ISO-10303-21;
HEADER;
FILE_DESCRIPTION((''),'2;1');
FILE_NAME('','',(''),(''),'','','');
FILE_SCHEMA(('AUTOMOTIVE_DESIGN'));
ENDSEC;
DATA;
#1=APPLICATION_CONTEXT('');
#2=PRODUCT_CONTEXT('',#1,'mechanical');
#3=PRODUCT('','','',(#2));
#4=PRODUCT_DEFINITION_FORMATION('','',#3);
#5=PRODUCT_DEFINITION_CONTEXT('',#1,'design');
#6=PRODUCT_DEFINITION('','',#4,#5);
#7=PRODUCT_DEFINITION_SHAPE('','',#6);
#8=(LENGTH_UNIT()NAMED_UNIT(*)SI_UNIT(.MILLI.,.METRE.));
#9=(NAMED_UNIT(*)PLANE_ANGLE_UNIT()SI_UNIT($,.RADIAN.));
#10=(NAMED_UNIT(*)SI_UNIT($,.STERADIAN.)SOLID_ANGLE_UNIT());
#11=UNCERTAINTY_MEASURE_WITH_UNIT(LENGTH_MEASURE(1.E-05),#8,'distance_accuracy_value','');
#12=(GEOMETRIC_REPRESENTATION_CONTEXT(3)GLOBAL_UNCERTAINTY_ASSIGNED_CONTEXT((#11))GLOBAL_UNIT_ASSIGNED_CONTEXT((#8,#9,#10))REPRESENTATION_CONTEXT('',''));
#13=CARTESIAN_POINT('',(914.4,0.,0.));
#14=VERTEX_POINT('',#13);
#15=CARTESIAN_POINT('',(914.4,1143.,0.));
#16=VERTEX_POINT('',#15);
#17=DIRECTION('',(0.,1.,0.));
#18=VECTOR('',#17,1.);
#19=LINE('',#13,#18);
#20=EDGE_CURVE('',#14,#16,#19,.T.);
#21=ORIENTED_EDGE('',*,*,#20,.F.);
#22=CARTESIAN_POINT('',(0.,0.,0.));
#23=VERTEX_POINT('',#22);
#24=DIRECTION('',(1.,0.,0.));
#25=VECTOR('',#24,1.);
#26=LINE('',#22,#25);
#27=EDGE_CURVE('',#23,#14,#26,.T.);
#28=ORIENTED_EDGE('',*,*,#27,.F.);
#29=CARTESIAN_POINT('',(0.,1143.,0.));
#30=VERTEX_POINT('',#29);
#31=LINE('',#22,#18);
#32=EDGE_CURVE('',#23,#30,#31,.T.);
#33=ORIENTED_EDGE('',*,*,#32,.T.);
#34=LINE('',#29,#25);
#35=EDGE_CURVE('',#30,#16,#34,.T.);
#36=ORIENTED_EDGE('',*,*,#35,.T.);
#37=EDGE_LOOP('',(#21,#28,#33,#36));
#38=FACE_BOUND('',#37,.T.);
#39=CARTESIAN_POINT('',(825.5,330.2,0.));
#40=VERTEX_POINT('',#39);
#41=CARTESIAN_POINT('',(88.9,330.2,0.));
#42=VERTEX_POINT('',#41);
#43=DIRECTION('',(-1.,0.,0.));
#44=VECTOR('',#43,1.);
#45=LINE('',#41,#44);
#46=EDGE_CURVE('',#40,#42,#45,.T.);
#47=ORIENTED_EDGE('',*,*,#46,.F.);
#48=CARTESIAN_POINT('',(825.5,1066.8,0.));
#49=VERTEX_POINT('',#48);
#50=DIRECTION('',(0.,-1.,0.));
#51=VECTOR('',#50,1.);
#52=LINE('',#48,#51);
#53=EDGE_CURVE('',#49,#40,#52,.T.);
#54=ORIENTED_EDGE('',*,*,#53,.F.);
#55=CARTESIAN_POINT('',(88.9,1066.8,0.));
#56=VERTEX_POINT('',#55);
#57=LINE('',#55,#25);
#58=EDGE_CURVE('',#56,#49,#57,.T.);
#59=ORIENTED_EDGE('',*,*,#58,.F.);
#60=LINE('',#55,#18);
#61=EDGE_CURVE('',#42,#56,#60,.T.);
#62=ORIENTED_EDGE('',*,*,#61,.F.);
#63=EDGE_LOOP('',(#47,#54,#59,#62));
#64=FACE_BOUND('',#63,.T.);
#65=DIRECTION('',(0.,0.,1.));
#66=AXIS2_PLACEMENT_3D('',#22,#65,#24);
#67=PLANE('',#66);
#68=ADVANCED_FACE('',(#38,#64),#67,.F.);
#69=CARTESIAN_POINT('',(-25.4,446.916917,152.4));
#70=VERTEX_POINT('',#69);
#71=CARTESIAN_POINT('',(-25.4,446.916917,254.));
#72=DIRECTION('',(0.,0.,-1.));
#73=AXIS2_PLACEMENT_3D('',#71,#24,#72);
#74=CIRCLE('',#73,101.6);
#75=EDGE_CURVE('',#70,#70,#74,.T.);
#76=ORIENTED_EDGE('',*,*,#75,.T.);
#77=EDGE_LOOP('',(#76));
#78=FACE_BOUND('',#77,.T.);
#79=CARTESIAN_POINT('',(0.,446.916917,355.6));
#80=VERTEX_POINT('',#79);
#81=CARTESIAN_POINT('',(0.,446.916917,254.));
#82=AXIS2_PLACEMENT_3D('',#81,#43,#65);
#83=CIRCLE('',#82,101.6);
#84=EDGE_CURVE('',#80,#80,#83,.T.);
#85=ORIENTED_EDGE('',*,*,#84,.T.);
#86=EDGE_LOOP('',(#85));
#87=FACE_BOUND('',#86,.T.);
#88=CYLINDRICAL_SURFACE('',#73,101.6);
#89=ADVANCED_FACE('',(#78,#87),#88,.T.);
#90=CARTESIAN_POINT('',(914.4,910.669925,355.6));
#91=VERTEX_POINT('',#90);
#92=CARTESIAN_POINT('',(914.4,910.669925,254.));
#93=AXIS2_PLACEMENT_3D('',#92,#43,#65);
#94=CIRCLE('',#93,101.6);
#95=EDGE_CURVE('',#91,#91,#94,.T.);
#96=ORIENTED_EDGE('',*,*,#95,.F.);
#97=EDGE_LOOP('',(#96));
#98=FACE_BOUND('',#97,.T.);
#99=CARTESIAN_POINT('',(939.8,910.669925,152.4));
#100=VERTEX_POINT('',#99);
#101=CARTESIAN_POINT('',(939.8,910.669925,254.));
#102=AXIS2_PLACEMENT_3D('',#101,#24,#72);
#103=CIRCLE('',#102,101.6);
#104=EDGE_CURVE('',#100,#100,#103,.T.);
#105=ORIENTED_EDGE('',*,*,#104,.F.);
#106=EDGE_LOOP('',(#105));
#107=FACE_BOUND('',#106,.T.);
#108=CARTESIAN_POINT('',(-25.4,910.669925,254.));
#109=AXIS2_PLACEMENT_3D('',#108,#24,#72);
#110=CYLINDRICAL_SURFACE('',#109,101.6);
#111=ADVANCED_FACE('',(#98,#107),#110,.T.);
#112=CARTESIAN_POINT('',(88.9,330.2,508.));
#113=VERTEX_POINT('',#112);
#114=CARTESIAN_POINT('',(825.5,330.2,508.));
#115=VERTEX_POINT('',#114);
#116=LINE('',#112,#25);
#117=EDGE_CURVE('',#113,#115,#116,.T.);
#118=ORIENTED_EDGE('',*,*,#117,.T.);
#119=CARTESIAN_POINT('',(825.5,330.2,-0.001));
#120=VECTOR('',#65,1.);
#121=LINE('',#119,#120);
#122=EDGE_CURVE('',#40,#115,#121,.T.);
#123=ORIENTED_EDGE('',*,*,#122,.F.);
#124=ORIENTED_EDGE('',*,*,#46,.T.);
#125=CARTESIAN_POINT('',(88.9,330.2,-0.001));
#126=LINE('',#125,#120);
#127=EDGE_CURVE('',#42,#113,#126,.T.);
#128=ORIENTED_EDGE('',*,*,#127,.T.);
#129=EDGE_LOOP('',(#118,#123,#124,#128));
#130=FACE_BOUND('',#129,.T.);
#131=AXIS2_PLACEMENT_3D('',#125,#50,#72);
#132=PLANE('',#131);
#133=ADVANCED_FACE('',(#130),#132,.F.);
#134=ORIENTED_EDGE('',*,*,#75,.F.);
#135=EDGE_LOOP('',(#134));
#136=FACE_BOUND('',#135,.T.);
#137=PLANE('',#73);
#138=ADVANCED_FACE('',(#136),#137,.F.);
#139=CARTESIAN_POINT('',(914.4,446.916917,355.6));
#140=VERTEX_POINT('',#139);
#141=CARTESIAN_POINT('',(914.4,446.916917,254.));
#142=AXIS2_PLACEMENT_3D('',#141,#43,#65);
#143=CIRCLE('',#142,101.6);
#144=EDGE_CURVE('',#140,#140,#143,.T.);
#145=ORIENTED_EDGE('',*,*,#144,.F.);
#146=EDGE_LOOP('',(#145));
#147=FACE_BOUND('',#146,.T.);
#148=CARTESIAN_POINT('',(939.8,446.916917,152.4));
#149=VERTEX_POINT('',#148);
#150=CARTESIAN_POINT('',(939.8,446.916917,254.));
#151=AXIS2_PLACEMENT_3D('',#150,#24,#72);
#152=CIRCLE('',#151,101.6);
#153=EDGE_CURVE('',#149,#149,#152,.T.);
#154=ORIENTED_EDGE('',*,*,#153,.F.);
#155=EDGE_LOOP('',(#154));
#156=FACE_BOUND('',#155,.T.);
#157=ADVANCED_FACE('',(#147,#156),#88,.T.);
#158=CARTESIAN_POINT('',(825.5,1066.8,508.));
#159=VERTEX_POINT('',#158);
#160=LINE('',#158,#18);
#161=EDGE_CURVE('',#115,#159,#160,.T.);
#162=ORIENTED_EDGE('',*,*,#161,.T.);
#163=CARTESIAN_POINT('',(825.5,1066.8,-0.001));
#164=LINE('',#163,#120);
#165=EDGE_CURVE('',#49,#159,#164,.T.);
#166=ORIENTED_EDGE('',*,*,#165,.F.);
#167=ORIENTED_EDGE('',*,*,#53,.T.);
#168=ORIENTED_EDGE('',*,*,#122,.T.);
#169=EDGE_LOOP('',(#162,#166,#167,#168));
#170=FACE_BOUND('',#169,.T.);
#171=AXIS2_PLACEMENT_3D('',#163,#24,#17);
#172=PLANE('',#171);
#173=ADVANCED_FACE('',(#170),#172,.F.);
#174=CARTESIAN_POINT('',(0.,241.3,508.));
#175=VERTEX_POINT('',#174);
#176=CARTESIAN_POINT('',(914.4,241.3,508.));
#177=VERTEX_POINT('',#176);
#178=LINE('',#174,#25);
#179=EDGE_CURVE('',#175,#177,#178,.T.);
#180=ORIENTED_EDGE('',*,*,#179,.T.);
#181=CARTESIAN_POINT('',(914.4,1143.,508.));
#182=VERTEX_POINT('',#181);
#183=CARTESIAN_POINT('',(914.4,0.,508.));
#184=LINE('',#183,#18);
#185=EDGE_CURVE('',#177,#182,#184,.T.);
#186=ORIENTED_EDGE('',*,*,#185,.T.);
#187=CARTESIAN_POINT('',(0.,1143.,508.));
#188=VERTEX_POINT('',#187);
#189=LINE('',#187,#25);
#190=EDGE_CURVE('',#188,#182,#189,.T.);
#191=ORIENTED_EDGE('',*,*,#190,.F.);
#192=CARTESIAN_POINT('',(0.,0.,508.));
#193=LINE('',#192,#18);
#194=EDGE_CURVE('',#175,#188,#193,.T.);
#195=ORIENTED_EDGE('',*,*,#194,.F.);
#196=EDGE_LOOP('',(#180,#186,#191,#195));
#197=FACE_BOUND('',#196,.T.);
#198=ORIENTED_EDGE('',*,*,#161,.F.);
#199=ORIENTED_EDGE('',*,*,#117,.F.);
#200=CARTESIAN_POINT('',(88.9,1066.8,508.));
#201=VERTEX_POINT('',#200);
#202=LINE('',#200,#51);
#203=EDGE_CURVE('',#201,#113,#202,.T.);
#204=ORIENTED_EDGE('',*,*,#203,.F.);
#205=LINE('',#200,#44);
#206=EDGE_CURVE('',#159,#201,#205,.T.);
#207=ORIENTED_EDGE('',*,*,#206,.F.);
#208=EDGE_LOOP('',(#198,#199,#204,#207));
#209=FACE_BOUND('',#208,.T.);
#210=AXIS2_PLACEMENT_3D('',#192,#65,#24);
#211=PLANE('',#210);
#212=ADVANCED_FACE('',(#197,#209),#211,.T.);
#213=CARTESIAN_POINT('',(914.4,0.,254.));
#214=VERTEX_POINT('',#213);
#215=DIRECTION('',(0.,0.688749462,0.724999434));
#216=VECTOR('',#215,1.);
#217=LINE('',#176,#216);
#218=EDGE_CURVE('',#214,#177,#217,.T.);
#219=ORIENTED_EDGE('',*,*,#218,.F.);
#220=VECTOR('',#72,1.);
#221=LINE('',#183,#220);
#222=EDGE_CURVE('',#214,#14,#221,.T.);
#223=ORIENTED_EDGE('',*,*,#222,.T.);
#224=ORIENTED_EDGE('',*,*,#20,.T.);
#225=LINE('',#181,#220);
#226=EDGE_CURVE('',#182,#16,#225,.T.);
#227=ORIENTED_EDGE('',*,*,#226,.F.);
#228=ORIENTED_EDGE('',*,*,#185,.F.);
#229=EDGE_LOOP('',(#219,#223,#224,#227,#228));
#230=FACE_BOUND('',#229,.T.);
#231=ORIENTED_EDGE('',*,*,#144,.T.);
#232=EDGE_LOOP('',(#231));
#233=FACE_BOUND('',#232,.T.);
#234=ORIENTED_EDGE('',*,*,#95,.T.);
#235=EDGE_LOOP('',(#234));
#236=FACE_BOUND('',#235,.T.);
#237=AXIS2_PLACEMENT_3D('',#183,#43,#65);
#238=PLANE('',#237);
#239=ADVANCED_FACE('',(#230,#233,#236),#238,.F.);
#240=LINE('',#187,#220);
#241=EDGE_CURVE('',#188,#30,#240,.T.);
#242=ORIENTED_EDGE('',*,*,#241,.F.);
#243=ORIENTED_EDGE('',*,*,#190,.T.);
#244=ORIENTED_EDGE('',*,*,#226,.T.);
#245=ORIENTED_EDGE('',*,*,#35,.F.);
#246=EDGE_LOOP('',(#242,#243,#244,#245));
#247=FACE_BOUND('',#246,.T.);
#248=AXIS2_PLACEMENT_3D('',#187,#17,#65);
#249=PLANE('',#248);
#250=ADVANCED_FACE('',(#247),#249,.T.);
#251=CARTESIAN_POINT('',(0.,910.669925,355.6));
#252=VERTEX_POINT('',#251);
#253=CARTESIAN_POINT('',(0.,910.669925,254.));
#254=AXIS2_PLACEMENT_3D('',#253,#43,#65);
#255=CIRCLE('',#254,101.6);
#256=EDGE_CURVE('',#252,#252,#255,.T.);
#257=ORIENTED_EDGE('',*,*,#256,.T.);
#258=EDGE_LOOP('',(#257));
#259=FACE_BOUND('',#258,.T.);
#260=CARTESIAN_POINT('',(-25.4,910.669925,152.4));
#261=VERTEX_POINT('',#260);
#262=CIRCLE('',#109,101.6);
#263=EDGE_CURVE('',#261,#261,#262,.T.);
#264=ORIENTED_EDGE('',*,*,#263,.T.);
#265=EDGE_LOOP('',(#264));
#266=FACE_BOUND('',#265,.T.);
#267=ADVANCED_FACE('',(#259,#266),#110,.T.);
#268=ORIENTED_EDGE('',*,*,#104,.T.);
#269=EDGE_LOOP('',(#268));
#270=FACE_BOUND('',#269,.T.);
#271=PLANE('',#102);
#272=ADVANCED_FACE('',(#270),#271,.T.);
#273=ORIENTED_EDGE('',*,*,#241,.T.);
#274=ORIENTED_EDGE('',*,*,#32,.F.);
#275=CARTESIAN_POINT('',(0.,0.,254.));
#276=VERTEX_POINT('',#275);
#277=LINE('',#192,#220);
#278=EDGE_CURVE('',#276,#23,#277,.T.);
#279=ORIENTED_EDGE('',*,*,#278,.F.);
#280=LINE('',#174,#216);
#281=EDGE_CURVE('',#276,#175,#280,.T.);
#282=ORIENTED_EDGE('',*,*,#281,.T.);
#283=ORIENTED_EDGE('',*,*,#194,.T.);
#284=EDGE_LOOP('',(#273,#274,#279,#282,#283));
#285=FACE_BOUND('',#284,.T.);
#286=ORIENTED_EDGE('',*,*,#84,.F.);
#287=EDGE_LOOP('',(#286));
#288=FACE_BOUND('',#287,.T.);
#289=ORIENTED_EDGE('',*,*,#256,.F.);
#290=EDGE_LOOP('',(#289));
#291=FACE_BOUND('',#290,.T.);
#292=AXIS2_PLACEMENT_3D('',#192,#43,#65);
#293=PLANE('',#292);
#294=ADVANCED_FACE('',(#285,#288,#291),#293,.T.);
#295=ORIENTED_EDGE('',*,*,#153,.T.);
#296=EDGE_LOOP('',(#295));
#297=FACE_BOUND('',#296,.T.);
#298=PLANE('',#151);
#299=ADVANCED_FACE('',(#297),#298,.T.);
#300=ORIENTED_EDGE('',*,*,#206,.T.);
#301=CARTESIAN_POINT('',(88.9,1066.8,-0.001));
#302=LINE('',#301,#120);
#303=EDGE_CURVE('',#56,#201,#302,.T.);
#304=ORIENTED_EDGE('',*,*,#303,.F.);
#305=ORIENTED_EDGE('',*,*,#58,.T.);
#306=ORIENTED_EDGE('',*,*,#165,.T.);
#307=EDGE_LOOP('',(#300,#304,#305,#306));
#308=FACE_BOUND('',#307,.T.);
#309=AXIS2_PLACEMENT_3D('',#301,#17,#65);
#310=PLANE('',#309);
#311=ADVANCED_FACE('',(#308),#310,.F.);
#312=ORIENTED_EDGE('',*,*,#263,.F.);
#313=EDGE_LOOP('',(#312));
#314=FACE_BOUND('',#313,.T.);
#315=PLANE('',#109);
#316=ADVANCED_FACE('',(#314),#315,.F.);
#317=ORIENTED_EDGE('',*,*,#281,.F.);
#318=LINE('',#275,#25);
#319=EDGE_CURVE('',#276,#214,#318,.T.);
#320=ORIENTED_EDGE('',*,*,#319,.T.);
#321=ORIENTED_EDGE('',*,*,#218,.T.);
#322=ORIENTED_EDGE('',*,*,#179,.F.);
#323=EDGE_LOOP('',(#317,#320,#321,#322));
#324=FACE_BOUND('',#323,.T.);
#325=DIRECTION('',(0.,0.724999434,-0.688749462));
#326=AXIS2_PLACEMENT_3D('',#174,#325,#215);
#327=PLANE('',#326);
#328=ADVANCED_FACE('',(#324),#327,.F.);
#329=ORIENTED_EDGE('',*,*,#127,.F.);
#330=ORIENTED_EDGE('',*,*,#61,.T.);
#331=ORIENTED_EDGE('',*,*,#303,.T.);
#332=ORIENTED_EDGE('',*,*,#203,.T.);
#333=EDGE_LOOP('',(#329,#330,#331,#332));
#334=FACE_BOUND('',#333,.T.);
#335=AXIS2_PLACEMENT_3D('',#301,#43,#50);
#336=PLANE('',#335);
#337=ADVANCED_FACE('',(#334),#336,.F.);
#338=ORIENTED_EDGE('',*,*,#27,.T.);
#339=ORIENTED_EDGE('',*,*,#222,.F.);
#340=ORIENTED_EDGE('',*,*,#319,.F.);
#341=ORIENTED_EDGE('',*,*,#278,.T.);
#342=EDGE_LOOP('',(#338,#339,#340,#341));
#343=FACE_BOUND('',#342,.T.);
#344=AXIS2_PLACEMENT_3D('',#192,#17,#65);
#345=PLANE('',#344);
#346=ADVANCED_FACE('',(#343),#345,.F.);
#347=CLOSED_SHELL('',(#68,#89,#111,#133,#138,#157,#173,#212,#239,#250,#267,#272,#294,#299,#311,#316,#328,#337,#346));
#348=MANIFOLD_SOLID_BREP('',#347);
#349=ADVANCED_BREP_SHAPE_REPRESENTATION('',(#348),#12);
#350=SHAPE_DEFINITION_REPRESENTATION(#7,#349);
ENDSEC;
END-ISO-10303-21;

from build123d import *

# Parameters (mm, degrees)
SKETCH2_W                = 914.4
SKETCH2_H                = 1143
BOSS_EXTRUDE1_DEPTH      = 508
CUT_EXTRUDE1_DEPTH       = 1550.4
BOSS_EXTRUDE2_DEPTH      = 25.4
BOSS_EXTRUDE2_DEPTH_BACK = 939.8
SKETCH4_R                = 101.6
CUT_EXTRUDE2_REACH       = 1566.525
SKETCH5_W                = 736.6
SKETCH5_H                = 736.6


with BuildPart() as part:
    # Sketch2 → Boss-Extrude1 (new body)
    with BuildSketch(Plane.XY):
        with Locations((457.2, 571.5)):
            Rectangle(SKETCH2_W, SKETCH2_H)
    extrude(amount=BOSS_EXTRUDE1_DEPTH)

    # Sketch3 → Cut-Extrude1 (cut, through all)
    with BuildSketch(Plane(origin=(914.4, 0, 0), x_dir=(0, 0, -1), z_dir=(1, 0, 0))):
        Polygon((-508, 241.3), (-254, 0), (-508, 0), align=None)
    extrude(amount=-CUT_EXTRUDE1_DEPTH, mode=Mode.SUBTRACT)

    # Sketch4 → Boss-Extrude2 (add, two sides: drawn at the far end of the back side and taken through both)
    with BuildSketch(Plane(origin=(914.4, 0, 0), x_dir=(0, 0, -1), z_dir=(1, 0, 0)).offset(-BOSS_EXTRUDE2_DEPTH_BACK)):
        with Locations((-254, 910.669925226)):
            Circle(SKETCH4_R)
        with Locations((-254, 446.916916509)):
            Circle(SKETCH4_R)
    extrude(amount=BOSS_EXTRUDE2_DEPTH + BOSS_EXTRUDE2_DEPTH_BACK)

    # Sketch5 → Cut-Extrude2 (cut, up to next)
    with BuildSketch(Plane.XY.offset(508), mode=Mode.PRIVATE) as cut_extrude2_sk1:
        with Locations((457.2, 698.5)):
            Rectangle(SKETCH5_W, SKETCH5_H)
    cut_extrude2_tool1 = extrude(cut_extrude2_sk1.sketch, amount=-CUT_EXTRUDE2_REACH, mode=Mode.PRIVATE) & part.part
    add(cut_extrude2_tool1.solids().sort_by_distance((457.2, 698.5, 508))[0], mode=Mode.SUBTRACT)


solid = part.part
